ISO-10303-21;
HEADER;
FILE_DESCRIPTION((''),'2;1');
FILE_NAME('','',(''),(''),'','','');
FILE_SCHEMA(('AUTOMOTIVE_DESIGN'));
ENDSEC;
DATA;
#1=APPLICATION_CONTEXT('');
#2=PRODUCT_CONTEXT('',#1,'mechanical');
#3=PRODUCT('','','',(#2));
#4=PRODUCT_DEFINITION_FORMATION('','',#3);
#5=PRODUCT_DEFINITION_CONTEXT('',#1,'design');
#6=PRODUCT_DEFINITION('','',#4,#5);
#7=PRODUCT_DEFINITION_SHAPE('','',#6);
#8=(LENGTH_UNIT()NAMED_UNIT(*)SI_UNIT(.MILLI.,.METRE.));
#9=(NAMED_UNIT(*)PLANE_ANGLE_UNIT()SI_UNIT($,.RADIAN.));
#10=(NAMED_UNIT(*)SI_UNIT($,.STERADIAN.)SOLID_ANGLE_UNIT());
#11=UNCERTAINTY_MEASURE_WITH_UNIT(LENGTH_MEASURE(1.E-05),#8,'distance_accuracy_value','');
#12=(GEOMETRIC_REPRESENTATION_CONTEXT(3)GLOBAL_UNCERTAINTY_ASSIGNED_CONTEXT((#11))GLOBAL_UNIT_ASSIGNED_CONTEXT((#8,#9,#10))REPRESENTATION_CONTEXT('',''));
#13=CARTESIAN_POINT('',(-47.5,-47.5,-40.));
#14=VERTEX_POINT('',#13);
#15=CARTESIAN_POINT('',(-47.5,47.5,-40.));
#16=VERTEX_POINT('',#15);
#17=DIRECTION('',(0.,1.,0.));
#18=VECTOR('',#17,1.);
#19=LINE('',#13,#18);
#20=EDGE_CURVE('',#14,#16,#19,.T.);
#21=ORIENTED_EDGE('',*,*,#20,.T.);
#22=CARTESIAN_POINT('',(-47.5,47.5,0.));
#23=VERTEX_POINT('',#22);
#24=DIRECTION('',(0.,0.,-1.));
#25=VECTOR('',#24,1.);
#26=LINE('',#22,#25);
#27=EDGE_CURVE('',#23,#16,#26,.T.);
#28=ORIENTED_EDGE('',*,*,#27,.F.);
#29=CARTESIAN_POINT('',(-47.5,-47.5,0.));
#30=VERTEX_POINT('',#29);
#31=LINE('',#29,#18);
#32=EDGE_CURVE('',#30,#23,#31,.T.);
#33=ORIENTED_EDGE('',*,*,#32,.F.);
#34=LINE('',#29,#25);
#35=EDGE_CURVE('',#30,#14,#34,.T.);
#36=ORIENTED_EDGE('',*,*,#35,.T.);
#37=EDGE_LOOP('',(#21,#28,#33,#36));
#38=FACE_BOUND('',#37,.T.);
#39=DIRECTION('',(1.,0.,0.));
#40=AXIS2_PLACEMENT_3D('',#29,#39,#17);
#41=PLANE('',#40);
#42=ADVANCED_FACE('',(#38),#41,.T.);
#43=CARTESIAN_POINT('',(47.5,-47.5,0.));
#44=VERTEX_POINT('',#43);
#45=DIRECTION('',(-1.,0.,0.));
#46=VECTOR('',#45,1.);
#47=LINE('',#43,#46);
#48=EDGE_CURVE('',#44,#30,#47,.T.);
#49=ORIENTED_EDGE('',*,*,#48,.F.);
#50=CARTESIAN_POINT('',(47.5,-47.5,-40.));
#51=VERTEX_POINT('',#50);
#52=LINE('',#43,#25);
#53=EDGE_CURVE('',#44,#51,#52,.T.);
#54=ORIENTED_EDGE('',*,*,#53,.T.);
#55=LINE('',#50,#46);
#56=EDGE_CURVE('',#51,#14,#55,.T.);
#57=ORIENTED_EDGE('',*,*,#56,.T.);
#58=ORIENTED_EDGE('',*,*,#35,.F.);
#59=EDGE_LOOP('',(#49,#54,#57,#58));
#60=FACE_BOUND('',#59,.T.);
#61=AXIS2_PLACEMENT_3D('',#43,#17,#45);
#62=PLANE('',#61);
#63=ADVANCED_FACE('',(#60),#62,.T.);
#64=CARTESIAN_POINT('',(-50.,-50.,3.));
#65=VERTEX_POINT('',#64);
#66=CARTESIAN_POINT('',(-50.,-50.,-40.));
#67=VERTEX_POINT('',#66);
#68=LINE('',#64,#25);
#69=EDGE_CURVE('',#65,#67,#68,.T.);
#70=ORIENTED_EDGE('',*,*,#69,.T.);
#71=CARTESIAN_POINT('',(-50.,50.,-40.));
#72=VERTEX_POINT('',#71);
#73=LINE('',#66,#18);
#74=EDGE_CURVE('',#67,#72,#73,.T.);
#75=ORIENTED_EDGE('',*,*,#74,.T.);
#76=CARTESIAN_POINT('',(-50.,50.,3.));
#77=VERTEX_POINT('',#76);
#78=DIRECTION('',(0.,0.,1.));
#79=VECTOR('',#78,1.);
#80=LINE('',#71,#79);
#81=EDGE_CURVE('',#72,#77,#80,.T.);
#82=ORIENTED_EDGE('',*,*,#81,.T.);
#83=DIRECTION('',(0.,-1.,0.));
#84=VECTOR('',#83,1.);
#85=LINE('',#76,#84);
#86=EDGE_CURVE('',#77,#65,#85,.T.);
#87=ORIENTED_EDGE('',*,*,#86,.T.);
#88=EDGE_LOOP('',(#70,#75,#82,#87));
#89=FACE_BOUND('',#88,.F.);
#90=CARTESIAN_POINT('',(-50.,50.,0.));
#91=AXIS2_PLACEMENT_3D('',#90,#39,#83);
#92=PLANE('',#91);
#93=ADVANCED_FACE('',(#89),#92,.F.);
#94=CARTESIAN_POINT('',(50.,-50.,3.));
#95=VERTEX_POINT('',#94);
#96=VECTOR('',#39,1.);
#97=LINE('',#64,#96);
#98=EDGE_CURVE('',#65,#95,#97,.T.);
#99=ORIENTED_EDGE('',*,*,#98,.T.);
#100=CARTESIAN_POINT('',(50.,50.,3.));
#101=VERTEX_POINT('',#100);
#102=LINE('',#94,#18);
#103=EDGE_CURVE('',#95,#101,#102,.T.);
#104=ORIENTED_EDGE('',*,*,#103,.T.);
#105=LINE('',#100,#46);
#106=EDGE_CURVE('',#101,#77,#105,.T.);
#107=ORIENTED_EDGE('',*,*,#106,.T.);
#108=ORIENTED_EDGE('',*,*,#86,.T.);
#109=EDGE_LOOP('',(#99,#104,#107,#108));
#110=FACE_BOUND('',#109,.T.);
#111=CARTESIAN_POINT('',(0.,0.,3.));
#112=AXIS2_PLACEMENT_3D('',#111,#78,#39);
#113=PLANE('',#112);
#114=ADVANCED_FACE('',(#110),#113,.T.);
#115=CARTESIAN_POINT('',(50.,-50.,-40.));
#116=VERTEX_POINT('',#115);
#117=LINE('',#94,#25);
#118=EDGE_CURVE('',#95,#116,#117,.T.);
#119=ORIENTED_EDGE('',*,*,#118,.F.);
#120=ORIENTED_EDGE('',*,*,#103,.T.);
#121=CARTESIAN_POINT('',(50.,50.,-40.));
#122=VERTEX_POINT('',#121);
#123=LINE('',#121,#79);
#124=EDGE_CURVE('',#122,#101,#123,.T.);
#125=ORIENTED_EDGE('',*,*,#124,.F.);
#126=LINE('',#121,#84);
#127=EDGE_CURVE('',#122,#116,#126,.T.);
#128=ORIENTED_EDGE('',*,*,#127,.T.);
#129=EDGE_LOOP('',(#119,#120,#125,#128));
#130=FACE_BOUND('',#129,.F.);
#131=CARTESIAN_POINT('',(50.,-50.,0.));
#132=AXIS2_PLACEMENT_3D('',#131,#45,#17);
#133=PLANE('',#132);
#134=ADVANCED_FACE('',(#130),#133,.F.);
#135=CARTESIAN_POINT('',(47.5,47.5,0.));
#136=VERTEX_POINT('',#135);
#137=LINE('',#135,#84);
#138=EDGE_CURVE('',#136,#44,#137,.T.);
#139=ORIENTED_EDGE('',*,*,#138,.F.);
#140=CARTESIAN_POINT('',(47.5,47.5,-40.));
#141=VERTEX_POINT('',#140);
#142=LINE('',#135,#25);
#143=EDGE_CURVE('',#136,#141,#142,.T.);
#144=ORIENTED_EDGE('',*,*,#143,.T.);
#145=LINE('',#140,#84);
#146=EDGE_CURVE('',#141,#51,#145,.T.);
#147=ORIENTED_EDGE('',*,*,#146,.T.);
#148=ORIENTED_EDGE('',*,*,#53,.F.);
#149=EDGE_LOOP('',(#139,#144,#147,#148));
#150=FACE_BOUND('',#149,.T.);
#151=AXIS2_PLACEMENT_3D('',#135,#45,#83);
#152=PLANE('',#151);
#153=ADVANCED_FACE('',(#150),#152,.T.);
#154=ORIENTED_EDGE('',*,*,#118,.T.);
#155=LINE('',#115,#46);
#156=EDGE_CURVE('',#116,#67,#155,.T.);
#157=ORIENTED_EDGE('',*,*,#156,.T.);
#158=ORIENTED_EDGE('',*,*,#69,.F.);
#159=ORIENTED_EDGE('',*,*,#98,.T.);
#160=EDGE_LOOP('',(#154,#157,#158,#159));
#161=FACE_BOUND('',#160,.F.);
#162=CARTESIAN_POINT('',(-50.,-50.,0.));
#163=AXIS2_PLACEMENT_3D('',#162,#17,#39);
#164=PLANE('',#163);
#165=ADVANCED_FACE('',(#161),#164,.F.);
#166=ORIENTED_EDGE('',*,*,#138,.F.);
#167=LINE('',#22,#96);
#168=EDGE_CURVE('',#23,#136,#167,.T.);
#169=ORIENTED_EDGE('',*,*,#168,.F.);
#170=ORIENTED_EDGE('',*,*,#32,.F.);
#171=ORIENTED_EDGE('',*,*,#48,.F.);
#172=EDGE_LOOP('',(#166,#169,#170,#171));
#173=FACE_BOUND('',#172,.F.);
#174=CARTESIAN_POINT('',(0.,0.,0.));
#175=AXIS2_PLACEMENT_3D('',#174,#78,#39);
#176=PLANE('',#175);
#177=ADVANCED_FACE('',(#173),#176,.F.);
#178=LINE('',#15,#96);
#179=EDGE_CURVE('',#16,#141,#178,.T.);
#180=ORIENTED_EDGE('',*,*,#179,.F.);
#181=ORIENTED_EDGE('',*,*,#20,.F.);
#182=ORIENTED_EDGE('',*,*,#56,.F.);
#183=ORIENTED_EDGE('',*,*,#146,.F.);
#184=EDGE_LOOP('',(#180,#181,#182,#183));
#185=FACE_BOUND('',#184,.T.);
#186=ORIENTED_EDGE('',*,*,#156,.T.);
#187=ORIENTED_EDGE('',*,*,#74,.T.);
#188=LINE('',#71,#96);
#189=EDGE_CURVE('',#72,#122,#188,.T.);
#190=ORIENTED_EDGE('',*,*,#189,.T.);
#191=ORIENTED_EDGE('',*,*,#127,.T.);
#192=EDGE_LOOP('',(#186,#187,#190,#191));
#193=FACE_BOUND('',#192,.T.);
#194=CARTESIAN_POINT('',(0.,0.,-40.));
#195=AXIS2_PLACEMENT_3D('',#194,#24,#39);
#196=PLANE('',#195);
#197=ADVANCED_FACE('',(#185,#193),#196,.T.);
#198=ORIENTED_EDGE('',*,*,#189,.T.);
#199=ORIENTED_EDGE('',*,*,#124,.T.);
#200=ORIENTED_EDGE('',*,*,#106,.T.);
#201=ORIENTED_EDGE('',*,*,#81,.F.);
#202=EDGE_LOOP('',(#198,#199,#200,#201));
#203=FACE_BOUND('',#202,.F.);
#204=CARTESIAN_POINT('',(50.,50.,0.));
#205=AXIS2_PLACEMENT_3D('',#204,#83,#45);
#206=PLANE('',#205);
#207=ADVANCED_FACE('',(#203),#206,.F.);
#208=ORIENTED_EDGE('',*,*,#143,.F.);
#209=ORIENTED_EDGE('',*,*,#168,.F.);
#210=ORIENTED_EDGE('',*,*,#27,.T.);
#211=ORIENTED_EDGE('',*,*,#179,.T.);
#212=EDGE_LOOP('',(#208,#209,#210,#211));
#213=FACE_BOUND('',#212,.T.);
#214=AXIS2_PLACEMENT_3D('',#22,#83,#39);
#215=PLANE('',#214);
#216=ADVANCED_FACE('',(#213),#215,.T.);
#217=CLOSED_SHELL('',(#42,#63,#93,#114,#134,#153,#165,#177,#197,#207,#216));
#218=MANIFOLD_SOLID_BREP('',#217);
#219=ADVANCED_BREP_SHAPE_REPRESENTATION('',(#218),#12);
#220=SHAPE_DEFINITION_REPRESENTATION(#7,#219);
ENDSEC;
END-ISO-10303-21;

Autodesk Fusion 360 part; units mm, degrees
sketch "base" plane through (0, 0, 0) normal (0, 0, 1) x (1, 0, 0) in component "base"
  line L0 (50, 50) -> (-50, 50)
  line L1 (-50, 50) -> (-50, -50)
  line L2 (-50, -50) -> (50, -50)
  line L3 (50, -50) -> (50, 50)
  line L4 (50, 50) -> (-50, -50) construction
  line L5 (-50, 50) -> (50, -50) construction
  dimension "d1" = 100
  dimension "d2" = 100
extrude "Extrude1" add sketch "base" along normal blind 3 in component "base"
sketch "legs" plane through (0, 0, 0) normal (0, 0, -1) x (1, 0, 0) in component "base"
  line L0 (50, -50) -> (50, 50)
  line L1 (50, 50) -> (-50, 50)
  line L2 (-50, 50) -> (-50, -50)
  line L3 (-50, -50) -> (50, -50)
  line L4 (47.5, 47.5) -> (-47.5, 47.5)
  line L5 (-47.5, 47.5) -> (-47.5, -47.5)
  line L6 (-47.5, -47.5) -> (47.5, -47.5)
  line L7 (47.5, -47.5) -> (47.5, 47.5)
  line L8 (47.5, 47.5) -> (-47.5, -47.5) construction
  line L9 (-47.5, 47.5) -> (47.5, -47.5) construction
  line L10 (-50, -50) -> (50, -50)
  line L11 (50, -50) -> (50, 50)
  line L12 (50, 50) -> (-50, 50)
  line L13 (-50, 50) -> (-50, -50)
  dimension "d5" = 95
  dimension "d6" = 95
  dimension "d7" = 2.5
extrude "Extrude2" add sketch "legs" along normal blind 40 in component "base"
component "base" placed x (1, 0, 0) y (0, 1, 0) z (0, 0, 1) at (0, 0, 0)
